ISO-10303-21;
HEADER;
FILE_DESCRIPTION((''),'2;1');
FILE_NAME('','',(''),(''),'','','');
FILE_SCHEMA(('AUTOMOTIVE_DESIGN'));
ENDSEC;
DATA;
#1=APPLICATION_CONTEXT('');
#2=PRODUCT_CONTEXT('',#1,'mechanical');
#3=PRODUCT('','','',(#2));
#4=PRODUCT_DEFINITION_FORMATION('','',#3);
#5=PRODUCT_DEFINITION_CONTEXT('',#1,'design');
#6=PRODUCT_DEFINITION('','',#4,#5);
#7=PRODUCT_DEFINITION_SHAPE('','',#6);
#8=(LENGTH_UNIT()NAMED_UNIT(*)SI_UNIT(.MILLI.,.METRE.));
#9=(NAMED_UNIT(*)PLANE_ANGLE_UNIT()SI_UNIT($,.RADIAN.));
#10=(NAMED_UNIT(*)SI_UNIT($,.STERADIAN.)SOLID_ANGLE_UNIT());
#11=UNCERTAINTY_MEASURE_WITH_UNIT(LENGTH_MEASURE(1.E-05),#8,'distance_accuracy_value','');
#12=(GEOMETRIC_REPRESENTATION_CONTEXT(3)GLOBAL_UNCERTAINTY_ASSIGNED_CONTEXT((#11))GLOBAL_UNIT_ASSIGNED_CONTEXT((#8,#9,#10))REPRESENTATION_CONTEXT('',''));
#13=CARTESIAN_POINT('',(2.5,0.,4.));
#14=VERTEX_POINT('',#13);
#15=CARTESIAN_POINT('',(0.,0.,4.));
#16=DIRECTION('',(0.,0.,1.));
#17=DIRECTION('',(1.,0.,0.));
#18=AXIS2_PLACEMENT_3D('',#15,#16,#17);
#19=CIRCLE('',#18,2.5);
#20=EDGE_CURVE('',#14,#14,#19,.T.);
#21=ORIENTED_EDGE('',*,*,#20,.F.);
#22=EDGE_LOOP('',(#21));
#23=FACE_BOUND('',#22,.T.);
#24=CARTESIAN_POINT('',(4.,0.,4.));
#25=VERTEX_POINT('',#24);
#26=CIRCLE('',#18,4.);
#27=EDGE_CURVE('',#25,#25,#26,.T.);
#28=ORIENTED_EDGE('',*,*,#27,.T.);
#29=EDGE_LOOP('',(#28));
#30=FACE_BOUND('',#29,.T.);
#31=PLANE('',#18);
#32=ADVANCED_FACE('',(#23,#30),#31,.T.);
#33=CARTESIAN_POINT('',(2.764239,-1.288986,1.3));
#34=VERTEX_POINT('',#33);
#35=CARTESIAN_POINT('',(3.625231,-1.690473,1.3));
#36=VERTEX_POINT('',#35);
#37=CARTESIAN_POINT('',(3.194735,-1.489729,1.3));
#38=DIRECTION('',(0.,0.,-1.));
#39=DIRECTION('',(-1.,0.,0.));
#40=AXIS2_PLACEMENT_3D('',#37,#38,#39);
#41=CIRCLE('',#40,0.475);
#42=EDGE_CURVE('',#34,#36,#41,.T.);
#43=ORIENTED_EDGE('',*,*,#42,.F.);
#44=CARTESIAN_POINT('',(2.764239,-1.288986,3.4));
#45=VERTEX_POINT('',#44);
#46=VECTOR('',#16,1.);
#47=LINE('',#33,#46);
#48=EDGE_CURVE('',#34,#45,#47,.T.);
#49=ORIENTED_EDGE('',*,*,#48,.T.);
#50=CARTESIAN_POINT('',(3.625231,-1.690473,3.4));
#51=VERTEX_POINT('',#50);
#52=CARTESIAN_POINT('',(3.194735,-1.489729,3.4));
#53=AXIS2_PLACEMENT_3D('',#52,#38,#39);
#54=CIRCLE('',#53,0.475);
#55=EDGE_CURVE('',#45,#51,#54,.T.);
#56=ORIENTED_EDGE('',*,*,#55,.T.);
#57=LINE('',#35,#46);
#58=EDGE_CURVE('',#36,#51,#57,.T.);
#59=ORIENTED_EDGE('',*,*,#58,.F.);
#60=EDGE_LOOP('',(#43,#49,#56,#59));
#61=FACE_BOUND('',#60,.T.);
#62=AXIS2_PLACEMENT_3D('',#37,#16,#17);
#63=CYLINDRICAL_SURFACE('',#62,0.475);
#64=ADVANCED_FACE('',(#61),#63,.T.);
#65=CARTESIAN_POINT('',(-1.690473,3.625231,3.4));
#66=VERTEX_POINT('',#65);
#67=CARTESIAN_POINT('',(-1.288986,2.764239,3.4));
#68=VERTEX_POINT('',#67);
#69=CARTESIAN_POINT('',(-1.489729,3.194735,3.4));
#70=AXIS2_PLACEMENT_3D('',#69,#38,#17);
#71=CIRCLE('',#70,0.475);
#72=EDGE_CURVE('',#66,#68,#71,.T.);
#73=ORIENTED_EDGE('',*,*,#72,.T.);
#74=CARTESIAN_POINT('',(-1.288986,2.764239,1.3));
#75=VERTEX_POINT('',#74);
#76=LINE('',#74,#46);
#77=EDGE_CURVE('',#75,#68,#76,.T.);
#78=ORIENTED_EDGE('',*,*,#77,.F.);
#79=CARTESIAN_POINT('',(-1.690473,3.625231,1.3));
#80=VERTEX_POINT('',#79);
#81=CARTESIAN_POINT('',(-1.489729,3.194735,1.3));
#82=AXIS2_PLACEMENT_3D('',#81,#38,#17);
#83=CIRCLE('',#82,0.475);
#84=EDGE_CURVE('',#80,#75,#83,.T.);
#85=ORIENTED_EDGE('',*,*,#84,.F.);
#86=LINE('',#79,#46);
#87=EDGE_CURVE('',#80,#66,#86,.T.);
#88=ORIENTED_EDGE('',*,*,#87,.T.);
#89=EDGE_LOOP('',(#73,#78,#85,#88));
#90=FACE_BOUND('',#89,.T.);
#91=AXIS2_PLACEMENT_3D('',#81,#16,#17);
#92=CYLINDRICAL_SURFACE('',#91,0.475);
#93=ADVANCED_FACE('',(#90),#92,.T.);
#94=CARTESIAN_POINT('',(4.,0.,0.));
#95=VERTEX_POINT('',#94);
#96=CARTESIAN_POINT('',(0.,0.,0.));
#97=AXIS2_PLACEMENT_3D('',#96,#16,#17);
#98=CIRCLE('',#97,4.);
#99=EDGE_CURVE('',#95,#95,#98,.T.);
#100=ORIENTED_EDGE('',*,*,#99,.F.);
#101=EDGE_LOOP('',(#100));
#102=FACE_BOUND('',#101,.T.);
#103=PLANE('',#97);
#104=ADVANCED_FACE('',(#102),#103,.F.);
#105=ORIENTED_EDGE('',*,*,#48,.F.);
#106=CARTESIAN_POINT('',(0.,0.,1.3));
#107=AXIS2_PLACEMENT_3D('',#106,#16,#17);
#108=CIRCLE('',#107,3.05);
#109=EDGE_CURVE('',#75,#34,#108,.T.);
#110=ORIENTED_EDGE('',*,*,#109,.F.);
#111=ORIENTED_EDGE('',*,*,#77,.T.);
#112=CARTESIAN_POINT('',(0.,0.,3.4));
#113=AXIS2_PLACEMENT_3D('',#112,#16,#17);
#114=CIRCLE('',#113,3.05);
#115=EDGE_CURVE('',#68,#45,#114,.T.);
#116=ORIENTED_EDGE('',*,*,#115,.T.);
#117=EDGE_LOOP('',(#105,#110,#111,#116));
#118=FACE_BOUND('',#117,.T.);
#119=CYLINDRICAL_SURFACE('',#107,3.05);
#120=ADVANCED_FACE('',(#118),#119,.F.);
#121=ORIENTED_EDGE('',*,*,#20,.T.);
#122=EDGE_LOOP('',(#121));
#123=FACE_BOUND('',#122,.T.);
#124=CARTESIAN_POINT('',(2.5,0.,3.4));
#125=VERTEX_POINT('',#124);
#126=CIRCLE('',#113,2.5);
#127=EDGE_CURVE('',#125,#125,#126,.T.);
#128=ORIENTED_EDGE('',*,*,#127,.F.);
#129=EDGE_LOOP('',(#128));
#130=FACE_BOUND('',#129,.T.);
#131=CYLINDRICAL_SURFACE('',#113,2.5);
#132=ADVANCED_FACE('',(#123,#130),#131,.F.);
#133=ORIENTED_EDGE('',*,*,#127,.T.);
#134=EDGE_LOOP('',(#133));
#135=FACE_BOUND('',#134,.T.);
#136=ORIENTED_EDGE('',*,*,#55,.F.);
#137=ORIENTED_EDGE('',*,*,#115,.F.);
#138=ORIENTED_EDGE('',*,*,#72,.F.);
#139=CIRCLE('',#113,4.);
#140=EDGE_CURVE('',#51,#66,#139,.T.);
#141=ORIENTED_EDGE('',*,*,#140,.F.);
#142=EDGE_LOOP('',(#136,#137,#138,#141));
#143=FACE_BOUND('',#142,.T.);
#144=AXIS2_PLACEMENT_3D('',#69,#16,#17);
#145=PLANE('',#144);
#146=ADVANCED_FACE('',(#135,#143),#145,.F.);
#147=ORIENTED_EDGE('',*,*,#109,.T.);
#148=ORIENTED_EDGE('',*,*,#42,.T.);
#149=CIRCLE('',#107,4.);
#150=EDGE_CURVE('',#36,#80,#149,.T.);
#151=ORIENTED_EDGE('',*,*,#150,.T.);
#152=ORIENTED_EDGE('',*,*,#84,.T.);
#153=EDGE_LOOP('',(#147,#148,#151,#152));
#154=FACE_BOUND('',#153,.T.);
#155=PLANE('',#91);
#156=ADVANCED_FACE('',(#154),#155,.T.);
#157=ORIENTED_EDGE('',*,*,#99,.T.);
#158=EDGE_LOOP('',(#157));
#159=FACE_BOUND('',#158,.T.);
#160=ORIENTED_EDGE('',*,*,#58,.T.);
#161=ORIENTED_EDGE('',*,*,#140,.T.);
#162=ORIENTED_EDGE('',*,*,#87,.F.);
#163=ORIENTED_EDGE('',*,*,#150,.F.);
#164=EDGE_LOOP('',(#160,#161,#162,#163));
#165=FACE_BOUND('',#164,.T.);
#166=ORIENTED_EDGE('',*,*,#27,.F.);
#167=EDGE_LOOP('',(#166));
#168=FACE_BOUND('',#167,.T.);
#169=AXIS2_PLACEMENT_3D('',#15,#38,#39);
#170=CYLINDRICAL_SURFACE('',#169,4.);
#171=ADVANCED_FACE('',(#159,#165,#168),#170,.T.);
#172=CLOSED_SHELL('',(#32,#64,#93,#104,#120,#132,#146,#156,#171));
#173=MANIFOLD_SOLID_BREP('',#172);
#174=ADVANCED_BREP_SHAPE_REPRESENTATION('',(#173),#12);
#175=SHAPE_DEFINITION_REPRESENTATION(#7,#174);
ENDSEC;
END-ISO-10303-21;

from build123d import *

# Parameters (mm, degrees)
SKETCH_1_R          = 4
EXTRUDE_1_DEPTH     = 4
SKETCH_2_R          = 2.5
CUT_EXTRUDE_1_DEPTH = 0.6
CUT_EXTRUDE_2_DEPTH = 2.1


with BuildPart() as part:
    # 草图1 → 凸台-拉伸1 (new body)
    with BuildSketch(Plane.XY):
        Circle(SKETCH_1_R)
    extrude(amount=EXTRUDE_1_DEPTH)

    # 草图2 → 切除-拉伸1 (cut)
    with BuildSketch(Plane.XY.offset(4)):
        Circle(SKETCH_2_R)
    extrude(amount=-CUT_EXTRUDE_1_DEPTH, mode=Mode.SUBTRACT)

    # 草图3 → 切除-拉伸2 (cut)
    with BuildSketch(Plane.XY.offset(3.4)):
        with BuildLine():
            Line((-1.690473047, 3.625231148), (-2.113091309, 4.531538935))
            ThreePointArc((-2.113091309, 4.531538935), (3.535533906, 3.535533906), (4.531538935, -2.113091309))
            Line((4.531538935, -2.113091309), (3.625231148, -1.690473047))
            ThreePointArc((3.625231148, -1.690473047), (3.395478624, -1.059233174), (2.76423875, -1.288985698))
            ThreePointArc((2.76423875, -1.288985698), (-2.156675683, -2.156675683), (-1.288985698, 2.76423875))
            ThreePointArc((-1.288985698, 2.76423875), (-1.059233174, 3.395478624), (-1.690473047, 3.625231148))
        make_face()
    extrude(amount=-CUT_EXTRUDE_2_DEPTH, mode=Mode.SUBTRACT)


solid = part.part
